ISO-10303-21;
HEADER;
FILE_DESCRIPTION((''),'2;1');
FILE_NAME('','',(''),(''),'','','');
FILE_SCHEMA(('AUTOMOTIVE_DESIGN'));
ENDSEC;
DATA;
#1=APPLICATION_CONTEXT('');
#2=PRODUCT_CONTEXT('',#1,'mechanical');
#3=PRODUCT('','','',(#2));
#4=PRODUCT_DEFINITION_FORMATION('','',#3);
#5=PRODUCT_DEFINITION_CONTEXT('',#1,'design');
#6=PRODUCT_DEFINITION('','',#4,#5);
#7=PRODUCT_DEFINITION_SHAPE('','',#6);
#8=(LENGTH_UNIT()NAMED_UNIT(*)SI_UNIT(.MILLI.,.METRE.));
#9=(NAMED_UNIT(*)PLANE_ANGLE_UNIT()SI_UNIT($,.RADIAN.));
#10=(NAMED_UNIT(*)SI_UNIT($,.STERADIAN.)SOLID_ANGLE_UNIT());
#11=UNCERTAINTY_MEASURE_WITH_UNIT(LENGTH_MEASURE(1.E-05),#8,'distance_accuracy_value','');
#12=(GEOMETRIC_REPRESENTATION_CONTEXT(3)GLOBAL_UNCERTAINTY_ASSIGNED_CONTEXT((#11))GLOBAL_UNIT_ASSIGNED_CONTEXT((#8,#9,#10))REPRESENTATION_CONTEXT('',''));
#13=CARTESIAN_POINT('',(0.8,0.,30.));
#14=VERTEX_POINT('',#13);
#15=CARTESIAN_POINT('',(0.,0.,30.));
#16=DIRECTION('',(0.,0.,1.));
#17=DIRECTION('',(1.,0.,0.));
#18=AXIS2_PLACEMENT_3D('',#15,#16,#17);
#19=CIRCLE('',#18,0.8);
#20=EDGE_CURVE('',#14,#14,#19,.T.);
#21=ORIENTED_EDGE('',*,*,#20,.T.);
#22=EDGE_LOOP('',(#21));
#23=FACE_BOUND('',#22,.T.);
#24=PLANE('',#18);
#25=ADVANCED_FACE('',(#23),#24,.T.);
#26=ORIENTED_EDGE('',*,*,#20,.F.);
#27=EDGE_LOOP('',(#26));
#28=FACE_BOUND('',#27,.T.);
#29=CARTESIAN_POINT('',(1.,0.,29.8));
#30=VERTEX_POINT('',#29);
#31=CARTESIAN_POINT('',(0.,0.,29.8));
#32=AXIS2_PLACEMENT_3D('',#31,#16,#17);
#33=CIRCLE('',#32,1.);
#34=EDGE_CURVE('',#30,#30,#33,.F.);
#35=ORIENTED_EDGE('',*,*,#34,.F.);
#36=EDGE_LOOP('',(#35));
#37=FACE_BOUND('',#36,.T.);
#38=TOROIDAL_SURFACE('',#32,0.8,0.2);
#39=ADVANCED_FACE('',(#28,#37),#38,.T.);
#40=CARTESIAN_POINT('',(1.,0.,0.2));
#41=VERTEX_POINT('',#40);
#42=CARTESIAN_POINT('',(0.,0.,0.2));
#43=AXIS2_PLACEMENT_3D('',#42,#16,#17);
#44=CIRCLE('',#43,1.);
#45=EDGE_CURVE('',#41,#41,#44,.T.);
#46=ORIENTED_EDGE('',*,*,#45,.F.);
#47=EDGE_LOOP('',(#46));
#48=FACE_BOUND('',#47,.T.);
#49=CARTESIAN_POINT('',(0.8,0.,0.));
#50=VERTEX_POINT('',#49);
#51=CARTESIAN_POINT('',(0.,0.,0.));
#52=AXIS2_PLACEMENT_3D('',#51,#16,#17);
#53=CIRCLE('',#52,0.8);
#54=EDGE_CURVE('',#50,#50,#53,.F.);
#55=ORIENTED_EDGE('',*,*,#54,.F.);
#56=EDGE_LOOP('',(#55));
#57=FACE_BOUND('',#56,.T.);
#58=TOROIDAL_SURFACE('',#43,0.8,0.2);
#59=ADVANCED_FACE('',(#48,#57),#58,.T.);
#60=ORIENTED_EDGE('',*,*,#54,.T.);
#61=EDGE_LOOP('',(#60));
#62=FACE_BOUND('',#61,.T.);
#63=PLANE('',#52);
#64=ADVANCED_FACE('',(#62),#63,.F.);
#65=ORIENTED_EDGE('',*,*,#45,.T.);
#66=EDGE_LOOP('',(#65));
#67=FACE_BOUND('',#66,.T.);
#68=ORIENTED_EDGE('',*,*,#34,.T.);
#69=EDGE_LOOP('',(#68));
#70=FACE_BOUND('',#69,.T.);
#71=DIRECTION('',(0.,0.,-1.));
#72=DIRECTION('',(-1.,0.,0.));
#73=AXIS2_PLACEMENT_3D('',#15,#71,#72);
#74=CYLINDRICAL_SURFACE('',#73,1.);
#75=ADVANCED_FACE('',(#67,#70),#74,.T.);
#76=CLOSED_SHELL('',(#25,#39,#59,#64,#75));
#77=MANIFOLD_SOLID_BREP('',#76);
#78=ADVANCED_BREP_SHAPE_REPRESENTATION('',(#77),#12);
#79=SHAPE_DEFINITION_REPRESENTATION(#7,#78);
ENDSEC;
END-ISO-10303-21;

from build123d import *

# Parameters (mm, degrees)
ESQUISSE1_R      = 1
EXTRUSION1_DEPTH = 30
CONG_1_R         = 0.2


with BuildPart() as part:
    # Esquisse1 → Extrusion1 (new body)
    with BuildSketch(Plane.XY):
        Circle(ESQUISSE1_R)
    extrude(amount=EXTRUSION1_DEPTH)

    # Congé1
    cong_1_edges = [part.edges().sort_by_distance(p)[0] for p in [
        (-1, 0, 0),
        (-1, 0, 30),
    ]]
    fillet(cong_1_edges, radius=CONG_1_R)


solid = part.part
